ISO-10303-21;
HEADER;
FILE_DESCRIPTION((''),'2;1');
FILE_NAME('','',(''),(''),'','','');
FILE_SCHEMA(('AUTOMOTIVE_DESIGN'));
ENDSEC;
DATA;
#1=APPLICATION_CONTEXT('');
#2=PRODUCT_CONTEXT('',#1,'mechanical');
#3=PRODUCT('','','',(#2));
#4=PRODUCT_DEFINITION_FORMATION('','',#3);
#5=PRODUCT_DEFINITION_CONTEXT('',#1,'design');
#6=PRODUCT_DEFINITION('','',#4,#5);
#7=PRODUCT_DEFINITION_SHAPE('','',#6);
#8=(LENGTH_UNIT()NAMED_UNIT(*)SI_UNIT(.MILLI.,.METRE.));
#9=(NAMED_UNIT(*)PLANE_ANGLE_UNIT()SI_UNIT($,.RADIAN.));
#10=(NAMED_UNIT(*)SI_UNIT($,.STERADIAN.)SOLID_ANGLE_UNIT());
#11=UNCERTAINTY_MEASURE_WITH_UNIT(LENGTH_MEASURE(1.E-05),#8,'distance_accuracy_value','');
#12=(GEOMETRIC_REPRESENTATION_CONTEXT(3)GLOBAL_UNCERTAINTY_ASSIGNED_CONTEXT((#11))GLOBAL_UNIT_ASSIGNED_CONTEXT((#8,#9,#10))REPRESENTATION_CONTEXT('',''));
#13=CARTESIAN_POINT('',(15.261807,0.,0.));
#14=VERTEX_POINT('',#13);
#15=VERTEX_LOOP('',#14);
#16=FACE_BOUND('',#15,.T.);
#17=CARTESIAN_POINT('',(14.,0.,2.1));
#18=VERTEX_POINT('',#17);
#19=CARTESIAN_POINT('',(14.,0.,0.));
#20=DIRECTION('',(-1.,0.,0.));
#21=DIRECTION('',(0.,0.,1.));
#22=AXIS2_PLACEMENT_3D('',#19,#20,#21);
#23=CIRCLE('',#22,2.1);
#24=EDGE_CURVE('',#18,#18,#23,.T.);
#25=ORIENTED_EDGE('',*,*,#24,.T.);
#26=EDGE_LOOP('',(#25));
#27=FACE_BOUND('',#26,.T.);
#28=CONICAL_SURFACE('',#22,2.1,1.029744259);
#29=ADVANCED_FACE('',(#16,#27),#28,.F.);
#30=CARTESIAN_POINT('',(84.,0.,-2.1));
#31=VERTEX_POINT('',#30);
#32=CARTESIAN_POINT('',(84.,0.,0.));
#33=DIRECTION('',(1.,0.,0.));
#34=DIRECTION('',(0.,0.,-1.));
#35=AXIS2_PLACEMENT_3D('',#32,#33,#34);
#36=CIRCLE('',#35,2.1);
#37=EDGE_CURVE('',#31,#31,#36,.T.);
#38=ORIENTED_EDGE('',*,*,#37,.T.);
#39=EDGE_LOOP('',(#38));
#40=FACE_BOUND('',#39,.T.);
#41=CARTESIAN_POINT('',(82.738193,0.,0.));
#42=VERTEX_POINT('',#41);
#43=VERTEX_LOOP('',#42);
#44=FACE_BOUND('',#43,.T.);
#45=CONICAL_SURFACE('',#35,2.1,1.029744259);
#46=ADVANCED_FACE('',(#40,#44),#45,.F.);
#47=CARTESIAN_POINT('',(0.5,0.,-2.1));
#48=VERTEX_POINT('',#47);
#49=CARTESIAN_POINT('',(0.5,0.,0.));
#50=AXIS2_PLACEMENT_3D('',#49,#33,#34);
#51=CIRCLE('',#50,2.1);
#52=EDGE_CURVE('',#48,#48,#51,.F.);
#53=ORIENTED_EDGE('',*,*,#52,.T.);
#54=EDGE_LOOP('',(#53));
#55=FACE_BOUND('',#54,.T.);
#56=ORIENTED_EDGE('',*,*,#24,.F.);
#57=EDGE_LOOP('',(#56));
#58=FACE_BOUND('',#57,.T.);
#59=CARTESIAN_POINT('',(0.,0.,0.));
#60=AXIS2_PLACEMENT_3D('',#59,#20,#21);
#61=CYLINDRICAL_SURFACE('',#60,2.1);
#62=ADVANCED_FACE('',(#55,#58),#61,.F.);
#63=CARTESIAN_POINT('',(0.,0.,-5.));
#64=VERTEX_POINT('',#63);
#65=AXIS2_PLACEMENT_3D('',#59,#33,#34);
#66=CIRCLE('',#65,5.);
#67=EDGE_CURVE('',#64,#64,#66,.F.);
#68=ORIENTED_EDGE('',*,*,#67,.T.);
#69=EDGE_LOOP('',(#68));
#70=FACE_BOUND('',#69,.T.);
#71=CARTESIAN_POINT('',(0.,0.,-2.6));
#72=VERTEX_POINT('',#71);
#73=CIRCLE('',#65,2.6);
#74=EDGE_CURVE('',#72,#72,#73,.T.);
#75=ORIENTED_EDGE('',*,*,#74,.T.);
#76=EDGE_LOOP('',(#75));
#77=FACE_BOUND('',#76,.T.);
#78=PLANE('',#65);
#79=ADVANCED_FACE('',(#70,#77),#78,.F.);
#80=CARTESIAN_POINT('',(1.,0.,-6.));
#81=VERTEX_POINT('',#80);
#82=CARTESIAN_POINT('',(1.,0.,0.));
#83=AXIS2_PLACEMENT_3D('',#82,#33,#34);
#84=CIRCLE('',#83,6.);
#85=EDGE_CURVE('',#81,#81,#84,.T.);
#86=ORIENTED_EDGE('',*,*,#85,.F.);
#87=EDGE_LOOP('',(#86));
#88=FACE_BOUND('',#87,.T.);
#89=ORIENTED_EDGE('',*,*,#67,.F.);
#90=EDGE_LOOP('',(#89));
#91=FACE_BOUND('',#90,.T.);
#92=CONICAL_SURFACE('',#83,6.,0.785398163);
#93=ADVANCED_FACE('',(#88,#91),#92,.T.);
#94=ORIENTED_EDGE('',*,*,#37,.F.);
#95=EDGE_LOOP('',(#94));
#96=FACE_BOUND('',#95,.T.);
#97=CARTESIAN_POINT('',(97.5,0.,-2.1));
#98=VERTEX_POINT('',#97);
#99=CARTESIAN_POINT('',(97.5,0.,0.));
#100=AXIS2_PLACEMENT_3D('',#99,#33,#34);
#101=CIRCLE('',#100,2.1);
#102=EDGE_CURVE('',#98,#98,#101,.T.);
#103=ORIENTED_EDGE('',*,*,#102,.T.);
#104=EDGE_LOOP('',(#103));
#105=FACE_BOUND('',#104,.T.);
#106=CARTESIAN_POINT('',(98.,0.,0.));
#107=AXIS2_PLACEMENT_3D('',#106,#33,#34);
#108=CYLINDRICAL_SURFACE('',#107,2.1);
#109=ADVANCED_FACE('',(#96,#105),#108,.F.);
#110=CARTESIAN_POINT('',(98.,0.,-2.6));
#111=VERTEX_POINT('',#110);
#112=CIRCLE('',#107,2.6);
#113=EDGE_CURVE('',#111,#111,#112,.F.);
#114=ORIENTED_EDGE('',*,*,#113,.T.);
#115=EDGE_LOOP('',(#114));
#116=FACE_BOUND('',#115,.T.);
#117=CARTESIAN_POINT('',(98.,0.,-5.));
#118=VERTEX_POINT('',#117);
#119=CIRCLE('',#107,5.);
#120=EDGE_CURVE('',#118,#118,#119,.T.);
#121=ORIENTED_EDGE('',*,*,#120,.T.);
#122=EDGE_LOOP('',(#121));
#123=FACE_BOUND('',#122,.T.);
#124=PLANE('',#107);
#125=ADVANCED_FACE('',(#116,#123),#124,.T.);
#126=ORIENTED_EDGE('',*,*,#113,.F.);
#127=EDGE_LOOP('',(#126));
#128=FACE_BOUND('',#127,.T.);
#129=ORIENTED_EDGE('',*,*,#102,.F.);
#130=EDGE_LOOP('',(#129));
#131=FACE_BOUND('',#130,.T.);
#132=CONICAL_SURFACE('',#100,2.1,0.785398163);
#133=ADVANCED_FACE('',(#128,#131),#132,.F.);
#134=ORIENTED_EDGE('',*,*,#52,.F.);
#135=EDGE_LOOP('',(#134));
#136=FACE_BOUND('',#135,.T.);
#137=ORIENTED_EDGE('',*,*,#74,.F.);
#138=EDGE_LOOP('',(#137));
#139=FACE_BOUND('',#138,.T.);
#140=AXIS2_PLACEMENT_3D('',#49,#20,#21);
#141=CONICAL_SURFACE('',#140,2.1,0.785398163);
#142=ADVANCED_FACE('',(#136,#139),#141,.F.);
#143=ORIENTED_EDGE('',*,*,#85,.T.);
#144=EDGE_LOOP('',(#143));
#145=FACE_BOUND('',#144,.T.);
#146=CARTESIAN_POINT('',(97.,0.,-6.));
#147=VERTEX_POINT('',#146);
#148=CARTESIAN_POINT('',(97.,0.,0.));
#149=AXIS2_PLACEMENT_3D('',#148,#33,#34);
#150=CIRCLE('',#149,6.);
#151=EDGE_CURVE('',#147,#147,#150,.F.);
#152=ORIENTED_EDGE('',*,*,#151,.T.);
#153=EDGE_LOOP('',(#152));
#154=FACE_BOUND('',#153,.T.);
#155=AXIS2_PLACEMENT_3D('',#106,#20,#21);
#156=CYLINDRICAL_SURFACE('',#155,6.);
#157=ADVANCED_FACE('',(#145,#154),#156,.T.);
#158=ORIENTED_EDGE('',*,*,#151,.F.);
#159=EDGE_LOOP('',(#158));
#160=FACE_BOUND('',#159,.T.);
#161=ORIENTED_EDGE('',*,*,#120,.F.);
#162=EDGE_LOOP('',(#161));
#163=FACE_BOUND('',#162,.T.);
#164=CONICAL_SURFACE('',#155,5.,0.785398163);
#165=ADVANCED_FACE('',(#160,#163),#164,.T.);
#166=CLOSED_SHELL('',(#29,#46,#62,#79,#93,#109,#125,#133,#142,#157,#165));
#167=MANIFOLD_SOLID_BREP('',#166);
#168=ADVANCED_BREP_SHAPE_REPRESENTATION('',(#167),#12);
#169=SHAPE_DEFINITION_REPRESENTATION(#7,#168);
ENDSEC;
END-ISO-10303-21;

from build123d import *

# Parameters (mm, degrees)
SKETCH1_R             = 6
BOSS_EXTRUDE1_DEPTH   = 98
CHAMFER1_SIZE         = 1
M5_TAPPED_HOLE1_D     = 4.2
M5_TAPPED_HOLE1_DEPTH = 14
M5_TAPPED_HOLE1_TIP   = 1.2618073
CHAMFER2_SIZE         = 0.5
M5_TAPPED_HOLE2_D     = 4.2
M5_TAPPED_HOLE2_DEPTH = 14
M5_TAPPED_HOLE2_TIP   = 1.2618073
CHAMFER3_SIZE         = 0.5


with BuildPart() as part:
    # Sketch1 → Boss-Extrude1 (new body)
    with BuildSketch(Plane(origin=(0, 0, 0), x_dir=(0, 0, -1), z_dir=(1, 0, 0))):
        Circle(SKETCH1_R)
    extrude(amount=BOSS_EXTRUDE1_DEPTH)

    # Chamfer1
    chamfer1_edges = [part.edges().sort_by_distance(p)[0] for p in [
        (0, 0, 6),
        (98, 0, 6),
    ]]
    chamfer(chamfer1_edges, length=CHAMFER1_SIZE)

    # M5 Tapped Hole1
    with Locations(Plane(origin=(98, 0, 0), x_dir=(0, 0, -1), z_dir=(1, 0, 0))):
        with Locations((0, 0)):
            Hole(M5_TAPPED_HOLE1_D / 2, depth=M5_TAPPED_HOLE1_DEPTH)
            with Locations((0, 0, -(M5_TAPPED_HOLE1_DEPTH + M5_TAPPED_HOLE1_TIP / 2))):  # 118° drill point
                Cone(0, M5_TAPPED_HOLE1_D / 2, M5_TAPPED_HOLE1_TIP, mode=Mode.SUBTRACT)

    # Chamfer2
    chamfer2_edges = [part.edges().sort_by_distance(p)[0] for p in [
        (98, 0, -2.1),
    ]]
    chamfer(chamfer2_edges, length=CHAMFER2_SIZE)

    # M5 Tapped Hole2
    with Locations(Plane.ZY):
        with Locations((0, 0)):
            Hole(M5_TAPPED_HOLE2_D / 2, depth=M5_TAPPED_HOLE2_DEPTH)
            with Locations((0, 0, -(M5_TAPPED_HOLE2_DEPTH + M5_TAPPED_HOLE2_TIP / 2))):  # 118° drill point
                Cone(0, M5_TAPPED_HOLE2_D / 2, M5_TAPPED_HOLE2_TIP, mode=Mode.SUBTRACT)

    # Chamfer3
    chamfer3_edges = [part.edges().sort_by_distance(p)[0] for p in [
        (0, 0, 2.1),
    ]]
    chamfer(chamfer3_edges, length=CHAMFER3_SIZE)


solid = part.part
